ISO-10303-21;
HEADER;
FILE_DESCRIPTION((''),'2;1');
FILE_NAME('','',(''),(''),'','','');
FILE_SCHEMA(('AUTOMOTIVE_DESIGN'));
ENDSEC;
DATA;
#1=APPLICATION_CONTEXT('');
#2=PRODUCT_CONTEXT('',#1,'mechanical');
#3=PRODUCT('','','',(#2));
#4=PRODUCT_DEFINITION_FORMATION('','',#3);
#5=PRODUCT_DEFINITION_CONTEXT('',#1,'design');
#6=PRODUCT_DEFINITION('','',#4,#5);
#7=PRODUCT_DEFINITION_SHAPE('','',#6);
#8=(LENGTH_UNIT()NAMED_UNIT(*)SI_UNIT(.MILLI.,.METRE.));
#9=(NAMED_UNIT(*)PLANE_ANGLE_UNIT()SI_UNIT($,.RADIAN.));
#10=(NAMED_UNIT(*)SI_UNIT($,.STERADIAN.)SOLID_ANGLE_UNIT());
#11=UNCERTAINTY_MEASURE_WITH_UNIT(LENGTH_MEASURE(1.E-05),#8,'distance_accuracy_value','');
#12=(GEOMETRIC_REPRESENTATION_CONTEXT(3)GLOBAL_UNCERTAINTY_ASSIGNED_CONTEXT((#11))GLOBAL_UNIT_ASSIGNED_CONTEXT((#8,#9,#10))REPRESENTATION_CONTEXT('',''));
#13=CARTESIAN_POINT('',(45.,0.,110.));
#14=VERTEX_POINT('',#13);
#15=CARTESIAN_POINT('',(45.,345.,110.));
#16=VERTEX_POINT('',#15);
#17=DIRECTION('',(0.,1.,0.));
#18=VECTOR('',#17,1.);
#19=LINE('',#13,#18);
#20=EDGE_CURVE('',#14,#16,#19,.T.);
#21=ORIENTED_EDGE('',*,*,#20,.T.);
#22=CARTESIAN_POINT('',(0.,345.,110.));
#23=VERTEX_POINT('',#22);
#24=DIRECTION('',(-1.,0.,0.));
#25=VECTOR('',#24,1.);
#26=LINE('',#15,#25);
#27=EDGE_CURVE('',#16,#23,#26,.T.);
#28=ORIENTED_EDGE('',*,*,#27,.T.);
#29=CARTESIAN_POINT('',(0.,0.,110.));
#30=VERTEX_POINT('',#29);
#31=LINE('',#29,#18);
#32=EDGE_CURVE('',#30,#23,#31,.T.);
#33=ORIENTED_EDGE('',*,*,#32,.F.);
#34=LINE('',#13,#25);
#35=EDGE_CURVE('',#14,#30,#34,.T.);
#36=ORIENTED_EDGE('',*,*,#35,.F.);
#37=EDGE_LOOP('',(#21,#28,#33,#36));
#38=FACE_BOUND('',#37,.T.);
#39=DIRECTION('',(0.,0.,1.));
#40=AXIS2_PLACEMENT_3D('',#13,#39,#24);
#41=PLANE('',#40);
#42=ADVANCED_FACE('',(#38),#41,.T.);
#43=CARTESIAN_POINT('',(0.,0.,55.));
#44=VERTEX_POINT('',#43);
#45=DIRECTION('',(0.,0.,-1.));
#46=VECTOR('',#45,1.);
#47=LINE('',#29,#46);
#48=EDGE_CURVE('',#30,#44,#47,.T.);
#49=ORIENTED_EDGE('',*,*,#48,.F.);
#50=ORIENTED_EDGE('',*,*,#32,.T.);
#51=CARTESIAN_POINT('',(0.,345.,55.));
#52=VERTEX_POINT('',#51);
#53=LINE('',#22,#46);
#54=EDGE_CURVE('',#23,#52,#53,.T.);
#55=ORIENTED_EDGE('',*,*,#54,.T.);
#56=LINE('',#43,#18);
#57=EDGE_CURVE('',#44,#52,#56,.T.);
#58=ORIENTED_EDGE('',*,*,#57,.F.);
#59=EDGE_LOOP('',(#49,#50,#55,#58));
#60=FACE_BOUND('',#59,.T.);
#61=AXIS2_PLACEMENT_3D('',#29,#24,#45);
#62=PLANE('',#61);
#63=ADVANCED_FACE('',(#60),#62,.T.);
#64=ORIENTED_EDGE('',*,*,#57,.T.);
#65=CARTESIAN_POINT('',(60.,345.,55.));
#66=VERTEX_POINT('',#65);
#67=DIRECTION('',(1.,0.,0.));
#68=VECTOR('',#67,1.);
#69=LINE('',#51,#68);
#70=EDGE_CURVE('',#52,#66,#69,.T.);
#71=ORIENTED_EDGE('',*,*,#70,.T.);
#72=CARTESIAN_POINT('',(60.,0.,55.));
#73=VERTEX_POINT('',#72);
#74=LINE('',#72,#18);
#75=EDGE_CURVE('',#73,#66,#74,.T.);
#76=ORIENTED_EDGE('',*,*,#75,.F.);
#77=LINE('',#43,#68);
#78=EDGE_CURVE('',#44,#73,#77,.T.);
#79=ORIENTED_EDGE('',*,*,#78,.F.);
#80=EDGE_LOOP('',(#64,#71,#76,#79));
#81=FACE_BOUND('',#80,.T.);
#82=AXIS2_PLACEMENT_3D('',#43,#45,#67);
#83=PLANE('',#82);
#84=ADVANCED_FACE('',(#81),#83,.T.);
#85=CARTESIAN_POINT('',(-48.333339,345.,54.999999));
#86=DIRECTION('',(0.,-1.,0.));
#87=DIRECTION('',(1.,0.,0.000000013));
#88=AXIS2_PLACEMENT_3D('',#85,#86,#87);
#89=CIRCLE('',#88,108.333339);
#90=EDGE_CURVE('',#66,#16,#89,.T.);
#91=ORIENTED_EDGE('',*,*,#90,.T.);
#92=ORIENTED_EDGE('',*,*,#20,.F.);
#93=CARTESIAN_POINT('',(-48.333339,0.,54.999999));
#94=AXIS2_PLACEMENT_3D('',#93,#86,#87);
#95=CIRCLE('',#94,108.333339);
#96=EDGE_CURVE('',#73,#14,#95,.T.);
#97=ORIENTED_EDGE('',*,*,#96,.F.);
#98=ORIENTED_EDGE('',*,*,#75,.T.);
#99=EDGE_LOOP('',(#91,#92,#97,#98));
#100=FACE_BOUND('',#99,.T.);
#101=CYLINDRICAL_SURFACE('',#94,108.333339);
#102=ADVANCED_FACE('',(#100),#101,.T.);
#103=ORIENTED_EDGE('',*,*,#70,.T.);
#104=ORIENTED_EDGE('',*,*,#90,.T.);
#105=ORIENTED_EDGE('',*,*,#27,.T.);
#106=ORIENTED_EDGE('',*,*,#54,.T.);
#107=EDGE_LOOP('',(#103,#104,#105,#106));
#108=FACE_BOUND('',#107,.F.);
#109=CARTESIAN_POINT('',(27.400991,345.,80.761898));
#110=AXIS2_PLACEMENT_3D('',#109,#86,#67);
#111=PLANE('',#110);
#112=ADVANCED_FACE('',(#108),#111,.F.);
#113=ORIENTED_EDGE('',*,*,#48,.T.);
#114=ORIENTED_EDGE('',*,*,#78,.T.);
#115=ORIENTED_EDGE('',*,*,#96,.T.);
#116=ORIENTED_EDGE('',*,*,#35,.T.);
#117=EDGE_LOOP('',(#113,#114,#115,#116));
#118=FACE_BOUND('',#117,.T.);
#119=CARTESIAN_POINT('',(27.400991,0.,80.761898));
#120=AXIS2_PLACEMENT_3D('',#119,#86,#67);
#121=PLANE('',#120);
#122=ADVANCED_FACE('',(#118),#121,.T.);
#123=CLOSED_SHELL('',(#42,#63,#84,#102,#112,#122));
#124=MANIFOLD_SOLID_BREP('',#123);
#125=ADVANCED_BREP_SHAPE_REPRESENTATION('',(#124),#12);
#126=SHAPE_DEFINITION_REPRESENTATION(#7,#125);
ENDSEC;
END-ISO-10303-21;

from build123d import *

# Parameters (mm, degrees)
F1_DEPTH = 345


with BuildPart() as f1:
    # F0 (on Front) → F1 (new body)
    with BuildSketch(Plane.XZ):
        with BuildLine():
            Line((0, 110), (0, 55))
            Line((0, 55), (60, 55))
            ThreePointArc((60, 55), (56.182747, 83.504386), (45, 110))
            Line((45, 110), (0, 110))
        make_face()
    extrude(amount=-F1_DEPTH)


solid = f1.part
